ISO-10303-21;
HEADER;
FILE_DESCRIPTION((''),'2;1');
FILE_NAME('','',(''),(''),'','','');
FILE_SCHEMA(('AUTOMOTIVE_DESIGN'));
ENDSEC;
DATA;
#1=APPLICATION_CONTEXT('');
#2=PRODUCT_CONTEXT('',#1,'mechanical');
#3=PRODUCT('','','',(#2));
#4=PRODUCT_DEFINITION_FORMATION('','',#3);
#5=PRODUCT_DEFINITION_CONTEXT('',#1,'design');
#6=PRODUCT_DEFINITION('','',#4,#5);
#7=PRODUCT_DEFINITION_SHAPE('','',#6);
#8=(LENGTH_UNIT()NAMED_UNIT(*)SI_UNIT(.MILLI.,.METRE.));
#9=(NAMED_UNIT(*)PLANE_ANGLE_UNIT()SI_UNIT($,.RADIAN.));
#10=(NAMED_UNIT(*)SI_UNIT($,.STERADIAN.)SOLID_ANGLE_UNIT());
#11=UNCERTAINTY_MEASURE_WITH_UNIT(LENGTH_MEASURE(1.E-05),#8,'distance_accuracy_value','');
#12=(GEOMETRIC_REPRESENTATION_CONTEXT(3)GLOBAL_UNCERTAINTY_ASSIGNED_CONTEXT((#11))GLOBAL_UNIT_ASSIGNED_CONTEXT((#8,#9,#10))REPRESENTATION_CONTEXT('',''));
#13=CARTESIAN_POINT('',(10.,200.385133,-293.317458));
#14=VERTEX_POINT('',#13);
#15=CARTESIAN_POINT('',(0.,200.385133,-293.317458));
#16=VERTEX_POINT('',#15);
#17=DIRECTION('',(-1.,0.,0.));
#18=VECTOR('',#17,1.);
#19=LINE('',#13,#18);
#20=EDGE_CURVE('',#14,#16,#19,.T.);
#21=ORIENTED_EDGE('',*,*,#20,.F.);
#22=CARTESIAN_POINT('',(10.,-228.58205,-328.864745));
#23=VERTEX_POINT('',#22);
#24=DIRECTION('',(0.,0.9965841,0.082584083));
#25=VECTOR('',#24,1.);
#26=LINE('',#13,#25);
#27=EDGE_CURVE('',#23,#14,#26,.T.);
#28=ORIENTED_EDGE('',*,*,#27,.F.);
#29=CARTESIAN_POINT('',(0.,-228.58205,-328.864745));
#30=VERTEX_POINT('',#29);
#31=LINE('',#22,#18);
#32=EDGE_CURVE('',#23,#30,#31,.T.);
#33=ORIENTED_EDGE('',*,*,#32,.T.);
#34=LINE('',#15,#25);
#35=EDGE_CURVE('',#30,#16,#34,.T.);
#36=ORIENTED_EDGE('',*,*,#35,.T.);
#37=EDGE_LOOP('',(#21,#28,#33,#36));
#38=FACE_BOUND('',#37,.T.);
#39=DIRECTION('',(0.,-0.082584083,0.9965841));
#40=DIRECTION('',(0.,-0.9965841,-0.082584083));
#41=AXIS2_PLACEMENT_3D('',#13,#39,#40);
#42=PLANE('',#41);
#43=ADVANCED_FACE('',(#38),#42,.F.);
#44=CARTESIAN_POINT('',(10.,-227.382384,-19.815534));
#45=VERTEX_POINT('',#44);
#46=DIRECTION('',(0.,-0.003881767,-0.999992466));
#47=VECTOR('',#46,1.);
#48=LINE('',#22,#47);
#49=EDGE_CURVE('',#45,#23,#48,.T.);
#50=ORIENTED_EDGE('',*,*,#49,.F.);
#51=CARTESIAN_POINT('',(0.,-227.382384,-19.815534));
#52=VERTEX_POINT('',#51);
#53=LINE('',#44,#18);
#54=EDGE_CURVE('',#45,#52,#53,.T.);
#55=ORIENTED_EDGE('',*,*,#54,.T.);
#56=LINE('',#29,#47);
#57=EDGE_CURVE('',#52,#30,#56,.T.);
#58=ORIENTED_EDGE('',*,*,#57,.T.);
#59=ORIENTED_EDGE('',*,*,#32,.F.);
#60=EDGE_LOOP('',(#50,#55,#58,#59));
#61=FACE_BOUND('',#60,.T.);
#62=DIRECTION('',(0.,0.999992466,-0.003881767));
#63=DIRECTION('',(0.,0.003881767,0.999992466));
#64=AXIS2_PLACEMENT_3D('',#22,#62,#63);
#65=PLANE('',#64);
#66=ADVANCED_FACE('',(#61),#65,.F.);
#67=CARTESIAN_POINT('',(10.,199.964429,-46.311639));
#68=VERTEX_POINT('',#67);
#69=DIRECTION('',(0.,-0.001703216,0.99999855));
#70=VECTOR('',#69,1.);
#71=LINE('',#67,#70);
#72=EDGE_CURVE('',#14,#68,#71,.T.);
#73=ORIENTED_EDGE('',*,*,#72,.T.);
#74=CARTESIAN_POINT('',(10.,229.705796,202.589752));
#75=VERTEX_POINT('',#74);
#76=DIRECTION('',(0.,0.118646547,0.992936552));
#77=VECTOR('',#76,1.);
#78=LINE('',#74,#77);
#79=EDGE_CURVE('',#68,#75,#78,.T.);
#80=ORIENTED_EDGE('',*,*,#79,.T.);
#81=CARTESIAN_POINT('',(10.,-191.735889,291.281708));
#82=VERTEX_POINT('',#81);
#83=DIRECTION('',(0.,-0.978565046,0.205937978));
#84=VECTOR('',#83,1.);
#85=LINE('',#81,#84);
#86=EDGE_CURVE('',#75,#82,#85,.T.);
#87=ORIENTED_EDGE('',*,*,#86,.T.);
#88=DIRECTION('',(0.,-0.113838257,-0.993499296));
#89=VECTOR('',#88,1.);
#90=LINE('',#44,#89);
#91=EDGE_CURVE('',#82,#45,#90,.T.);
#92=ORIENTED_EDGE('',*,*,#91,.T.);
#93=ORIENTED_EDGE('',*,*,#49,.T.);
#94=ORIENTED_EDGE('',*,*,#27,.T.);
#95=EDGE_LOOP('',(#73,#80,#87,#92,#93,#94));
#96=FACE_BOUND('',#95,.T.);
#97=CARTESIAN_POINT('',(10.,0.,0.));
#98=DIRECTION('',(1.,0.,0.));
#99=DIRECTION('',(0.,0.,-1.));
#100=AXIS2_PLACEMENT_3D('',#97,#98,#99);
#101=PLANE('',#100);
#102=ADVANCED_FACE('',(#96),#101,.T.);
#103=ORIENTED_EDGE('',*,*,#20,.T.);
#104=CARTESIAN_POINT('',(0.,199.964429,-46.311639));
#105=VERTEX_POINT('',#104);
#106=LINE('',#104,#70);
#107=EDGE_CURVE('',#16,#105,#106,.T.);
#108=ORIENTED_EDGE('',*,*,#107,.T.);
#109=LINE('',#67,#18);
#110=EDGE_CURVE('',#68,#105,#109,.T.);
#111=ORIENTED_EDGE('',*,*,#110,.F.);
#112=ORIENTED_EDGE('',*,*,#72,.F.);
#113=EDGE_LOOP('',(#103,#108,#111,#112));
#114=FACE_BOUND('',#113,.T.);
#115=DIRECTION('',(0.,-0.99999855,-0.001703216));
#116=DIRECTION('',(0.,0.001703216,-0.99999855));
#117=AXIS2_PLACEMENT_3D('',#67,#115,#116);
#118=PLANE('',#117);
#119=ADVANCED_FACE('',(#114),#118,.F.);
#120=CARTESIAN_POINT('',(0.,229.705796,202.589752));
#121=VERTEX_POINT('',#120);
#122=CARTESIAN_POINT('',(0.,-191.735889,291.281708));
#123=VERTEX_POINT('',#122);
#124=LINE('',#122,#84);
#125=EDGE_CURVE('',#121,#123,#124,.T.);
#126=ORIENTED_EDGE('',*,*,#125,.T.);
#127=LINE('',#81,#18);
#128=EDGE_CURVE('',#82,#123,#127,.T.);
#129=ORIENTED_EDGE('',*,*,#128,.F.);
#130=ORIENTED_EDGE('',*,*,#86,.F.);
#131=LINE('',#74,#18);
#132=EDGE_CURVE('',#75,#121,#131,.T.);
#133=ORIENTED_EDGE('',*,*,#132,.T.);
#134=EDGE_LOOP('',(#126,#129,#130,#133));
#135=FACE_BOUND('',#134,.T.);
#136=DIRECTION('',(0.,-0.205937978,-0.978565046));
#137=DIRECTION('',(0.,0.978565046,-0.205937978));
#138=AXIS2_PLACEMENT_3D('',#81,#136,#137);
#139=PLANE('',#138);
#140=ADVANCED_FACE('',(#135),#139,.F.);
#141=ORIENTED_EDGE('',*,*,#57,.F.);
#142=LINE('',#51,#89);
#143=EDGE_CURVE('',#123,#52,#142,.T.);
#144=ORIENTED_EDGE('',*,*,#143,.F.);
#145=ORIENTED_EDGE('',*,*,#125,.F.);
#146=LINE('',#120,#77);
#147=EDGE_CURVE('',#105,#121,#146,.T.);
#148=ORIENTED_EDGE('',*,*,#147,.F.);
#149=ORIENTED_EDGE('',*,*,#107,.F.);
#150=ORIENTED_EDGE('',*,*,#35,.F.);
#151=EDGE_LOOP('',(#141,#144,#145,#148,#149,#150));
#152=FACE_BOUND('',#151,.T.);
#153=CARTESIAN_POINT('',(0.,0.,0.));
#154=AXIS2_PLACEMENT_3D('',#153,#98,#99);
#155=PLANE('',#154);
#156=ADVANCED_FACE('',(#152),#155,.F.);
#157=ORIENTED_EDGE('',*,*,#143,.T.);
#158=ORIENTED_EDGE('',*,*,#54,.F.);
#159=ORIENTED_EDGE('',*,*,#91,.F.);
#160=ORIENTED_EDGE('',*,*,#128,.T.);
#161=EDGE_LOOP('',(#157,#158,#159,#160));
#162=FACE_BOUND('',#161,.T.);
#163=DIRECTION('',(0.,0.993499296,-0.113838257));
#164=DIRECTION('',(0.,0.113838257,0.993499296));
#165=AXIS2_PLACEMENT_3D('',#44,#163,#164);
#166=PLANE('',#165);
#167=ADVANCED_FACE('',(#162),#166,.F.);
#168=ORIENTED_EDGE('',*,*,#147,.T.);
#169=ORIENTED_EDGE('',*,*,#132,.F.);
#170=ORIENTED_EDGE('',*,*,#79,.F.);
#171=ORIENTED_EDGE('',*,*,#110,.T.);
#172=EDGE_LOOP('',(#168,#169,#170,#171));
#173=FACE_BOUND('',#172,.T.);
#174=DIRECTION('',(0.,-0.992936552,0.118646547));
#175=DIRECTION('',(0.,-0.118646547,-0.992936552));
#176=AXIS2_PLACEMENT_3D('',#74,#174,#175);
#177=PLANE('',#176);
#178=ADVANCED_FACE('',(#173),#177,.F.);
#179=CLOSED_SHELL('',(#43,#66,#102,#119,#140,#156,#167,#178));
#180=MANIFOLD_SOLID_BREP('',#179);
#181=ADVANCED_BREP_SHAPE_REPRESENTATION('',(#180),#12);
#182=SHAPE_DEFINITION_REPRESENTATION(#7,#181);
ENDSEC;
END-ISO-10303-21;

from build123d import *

# Parameters (mm, degrees)
BOSS_EXTRUDE1_DEPTH = 10


with BuildPart() as part:
    # Sketch1 → Boss-Extrude1 (new body)
    with BuildSketch(Plane(origin=(0, 0, 0), x_dir=(0, 0, -1), z_dir=(1, 0, 0))):
        Polygon((328.864745494, -228.582050483), (19.815533546, -227.382384297), (-291.281707896, -191.735889363), (-202.589751501, 229.705795793), (46.31163919, 199.964428642), (293.317457845, 200.38513346), align=None)
    extrude(amount=BOSS_EXTRUDE1_DEPTH)


solid = part.part
